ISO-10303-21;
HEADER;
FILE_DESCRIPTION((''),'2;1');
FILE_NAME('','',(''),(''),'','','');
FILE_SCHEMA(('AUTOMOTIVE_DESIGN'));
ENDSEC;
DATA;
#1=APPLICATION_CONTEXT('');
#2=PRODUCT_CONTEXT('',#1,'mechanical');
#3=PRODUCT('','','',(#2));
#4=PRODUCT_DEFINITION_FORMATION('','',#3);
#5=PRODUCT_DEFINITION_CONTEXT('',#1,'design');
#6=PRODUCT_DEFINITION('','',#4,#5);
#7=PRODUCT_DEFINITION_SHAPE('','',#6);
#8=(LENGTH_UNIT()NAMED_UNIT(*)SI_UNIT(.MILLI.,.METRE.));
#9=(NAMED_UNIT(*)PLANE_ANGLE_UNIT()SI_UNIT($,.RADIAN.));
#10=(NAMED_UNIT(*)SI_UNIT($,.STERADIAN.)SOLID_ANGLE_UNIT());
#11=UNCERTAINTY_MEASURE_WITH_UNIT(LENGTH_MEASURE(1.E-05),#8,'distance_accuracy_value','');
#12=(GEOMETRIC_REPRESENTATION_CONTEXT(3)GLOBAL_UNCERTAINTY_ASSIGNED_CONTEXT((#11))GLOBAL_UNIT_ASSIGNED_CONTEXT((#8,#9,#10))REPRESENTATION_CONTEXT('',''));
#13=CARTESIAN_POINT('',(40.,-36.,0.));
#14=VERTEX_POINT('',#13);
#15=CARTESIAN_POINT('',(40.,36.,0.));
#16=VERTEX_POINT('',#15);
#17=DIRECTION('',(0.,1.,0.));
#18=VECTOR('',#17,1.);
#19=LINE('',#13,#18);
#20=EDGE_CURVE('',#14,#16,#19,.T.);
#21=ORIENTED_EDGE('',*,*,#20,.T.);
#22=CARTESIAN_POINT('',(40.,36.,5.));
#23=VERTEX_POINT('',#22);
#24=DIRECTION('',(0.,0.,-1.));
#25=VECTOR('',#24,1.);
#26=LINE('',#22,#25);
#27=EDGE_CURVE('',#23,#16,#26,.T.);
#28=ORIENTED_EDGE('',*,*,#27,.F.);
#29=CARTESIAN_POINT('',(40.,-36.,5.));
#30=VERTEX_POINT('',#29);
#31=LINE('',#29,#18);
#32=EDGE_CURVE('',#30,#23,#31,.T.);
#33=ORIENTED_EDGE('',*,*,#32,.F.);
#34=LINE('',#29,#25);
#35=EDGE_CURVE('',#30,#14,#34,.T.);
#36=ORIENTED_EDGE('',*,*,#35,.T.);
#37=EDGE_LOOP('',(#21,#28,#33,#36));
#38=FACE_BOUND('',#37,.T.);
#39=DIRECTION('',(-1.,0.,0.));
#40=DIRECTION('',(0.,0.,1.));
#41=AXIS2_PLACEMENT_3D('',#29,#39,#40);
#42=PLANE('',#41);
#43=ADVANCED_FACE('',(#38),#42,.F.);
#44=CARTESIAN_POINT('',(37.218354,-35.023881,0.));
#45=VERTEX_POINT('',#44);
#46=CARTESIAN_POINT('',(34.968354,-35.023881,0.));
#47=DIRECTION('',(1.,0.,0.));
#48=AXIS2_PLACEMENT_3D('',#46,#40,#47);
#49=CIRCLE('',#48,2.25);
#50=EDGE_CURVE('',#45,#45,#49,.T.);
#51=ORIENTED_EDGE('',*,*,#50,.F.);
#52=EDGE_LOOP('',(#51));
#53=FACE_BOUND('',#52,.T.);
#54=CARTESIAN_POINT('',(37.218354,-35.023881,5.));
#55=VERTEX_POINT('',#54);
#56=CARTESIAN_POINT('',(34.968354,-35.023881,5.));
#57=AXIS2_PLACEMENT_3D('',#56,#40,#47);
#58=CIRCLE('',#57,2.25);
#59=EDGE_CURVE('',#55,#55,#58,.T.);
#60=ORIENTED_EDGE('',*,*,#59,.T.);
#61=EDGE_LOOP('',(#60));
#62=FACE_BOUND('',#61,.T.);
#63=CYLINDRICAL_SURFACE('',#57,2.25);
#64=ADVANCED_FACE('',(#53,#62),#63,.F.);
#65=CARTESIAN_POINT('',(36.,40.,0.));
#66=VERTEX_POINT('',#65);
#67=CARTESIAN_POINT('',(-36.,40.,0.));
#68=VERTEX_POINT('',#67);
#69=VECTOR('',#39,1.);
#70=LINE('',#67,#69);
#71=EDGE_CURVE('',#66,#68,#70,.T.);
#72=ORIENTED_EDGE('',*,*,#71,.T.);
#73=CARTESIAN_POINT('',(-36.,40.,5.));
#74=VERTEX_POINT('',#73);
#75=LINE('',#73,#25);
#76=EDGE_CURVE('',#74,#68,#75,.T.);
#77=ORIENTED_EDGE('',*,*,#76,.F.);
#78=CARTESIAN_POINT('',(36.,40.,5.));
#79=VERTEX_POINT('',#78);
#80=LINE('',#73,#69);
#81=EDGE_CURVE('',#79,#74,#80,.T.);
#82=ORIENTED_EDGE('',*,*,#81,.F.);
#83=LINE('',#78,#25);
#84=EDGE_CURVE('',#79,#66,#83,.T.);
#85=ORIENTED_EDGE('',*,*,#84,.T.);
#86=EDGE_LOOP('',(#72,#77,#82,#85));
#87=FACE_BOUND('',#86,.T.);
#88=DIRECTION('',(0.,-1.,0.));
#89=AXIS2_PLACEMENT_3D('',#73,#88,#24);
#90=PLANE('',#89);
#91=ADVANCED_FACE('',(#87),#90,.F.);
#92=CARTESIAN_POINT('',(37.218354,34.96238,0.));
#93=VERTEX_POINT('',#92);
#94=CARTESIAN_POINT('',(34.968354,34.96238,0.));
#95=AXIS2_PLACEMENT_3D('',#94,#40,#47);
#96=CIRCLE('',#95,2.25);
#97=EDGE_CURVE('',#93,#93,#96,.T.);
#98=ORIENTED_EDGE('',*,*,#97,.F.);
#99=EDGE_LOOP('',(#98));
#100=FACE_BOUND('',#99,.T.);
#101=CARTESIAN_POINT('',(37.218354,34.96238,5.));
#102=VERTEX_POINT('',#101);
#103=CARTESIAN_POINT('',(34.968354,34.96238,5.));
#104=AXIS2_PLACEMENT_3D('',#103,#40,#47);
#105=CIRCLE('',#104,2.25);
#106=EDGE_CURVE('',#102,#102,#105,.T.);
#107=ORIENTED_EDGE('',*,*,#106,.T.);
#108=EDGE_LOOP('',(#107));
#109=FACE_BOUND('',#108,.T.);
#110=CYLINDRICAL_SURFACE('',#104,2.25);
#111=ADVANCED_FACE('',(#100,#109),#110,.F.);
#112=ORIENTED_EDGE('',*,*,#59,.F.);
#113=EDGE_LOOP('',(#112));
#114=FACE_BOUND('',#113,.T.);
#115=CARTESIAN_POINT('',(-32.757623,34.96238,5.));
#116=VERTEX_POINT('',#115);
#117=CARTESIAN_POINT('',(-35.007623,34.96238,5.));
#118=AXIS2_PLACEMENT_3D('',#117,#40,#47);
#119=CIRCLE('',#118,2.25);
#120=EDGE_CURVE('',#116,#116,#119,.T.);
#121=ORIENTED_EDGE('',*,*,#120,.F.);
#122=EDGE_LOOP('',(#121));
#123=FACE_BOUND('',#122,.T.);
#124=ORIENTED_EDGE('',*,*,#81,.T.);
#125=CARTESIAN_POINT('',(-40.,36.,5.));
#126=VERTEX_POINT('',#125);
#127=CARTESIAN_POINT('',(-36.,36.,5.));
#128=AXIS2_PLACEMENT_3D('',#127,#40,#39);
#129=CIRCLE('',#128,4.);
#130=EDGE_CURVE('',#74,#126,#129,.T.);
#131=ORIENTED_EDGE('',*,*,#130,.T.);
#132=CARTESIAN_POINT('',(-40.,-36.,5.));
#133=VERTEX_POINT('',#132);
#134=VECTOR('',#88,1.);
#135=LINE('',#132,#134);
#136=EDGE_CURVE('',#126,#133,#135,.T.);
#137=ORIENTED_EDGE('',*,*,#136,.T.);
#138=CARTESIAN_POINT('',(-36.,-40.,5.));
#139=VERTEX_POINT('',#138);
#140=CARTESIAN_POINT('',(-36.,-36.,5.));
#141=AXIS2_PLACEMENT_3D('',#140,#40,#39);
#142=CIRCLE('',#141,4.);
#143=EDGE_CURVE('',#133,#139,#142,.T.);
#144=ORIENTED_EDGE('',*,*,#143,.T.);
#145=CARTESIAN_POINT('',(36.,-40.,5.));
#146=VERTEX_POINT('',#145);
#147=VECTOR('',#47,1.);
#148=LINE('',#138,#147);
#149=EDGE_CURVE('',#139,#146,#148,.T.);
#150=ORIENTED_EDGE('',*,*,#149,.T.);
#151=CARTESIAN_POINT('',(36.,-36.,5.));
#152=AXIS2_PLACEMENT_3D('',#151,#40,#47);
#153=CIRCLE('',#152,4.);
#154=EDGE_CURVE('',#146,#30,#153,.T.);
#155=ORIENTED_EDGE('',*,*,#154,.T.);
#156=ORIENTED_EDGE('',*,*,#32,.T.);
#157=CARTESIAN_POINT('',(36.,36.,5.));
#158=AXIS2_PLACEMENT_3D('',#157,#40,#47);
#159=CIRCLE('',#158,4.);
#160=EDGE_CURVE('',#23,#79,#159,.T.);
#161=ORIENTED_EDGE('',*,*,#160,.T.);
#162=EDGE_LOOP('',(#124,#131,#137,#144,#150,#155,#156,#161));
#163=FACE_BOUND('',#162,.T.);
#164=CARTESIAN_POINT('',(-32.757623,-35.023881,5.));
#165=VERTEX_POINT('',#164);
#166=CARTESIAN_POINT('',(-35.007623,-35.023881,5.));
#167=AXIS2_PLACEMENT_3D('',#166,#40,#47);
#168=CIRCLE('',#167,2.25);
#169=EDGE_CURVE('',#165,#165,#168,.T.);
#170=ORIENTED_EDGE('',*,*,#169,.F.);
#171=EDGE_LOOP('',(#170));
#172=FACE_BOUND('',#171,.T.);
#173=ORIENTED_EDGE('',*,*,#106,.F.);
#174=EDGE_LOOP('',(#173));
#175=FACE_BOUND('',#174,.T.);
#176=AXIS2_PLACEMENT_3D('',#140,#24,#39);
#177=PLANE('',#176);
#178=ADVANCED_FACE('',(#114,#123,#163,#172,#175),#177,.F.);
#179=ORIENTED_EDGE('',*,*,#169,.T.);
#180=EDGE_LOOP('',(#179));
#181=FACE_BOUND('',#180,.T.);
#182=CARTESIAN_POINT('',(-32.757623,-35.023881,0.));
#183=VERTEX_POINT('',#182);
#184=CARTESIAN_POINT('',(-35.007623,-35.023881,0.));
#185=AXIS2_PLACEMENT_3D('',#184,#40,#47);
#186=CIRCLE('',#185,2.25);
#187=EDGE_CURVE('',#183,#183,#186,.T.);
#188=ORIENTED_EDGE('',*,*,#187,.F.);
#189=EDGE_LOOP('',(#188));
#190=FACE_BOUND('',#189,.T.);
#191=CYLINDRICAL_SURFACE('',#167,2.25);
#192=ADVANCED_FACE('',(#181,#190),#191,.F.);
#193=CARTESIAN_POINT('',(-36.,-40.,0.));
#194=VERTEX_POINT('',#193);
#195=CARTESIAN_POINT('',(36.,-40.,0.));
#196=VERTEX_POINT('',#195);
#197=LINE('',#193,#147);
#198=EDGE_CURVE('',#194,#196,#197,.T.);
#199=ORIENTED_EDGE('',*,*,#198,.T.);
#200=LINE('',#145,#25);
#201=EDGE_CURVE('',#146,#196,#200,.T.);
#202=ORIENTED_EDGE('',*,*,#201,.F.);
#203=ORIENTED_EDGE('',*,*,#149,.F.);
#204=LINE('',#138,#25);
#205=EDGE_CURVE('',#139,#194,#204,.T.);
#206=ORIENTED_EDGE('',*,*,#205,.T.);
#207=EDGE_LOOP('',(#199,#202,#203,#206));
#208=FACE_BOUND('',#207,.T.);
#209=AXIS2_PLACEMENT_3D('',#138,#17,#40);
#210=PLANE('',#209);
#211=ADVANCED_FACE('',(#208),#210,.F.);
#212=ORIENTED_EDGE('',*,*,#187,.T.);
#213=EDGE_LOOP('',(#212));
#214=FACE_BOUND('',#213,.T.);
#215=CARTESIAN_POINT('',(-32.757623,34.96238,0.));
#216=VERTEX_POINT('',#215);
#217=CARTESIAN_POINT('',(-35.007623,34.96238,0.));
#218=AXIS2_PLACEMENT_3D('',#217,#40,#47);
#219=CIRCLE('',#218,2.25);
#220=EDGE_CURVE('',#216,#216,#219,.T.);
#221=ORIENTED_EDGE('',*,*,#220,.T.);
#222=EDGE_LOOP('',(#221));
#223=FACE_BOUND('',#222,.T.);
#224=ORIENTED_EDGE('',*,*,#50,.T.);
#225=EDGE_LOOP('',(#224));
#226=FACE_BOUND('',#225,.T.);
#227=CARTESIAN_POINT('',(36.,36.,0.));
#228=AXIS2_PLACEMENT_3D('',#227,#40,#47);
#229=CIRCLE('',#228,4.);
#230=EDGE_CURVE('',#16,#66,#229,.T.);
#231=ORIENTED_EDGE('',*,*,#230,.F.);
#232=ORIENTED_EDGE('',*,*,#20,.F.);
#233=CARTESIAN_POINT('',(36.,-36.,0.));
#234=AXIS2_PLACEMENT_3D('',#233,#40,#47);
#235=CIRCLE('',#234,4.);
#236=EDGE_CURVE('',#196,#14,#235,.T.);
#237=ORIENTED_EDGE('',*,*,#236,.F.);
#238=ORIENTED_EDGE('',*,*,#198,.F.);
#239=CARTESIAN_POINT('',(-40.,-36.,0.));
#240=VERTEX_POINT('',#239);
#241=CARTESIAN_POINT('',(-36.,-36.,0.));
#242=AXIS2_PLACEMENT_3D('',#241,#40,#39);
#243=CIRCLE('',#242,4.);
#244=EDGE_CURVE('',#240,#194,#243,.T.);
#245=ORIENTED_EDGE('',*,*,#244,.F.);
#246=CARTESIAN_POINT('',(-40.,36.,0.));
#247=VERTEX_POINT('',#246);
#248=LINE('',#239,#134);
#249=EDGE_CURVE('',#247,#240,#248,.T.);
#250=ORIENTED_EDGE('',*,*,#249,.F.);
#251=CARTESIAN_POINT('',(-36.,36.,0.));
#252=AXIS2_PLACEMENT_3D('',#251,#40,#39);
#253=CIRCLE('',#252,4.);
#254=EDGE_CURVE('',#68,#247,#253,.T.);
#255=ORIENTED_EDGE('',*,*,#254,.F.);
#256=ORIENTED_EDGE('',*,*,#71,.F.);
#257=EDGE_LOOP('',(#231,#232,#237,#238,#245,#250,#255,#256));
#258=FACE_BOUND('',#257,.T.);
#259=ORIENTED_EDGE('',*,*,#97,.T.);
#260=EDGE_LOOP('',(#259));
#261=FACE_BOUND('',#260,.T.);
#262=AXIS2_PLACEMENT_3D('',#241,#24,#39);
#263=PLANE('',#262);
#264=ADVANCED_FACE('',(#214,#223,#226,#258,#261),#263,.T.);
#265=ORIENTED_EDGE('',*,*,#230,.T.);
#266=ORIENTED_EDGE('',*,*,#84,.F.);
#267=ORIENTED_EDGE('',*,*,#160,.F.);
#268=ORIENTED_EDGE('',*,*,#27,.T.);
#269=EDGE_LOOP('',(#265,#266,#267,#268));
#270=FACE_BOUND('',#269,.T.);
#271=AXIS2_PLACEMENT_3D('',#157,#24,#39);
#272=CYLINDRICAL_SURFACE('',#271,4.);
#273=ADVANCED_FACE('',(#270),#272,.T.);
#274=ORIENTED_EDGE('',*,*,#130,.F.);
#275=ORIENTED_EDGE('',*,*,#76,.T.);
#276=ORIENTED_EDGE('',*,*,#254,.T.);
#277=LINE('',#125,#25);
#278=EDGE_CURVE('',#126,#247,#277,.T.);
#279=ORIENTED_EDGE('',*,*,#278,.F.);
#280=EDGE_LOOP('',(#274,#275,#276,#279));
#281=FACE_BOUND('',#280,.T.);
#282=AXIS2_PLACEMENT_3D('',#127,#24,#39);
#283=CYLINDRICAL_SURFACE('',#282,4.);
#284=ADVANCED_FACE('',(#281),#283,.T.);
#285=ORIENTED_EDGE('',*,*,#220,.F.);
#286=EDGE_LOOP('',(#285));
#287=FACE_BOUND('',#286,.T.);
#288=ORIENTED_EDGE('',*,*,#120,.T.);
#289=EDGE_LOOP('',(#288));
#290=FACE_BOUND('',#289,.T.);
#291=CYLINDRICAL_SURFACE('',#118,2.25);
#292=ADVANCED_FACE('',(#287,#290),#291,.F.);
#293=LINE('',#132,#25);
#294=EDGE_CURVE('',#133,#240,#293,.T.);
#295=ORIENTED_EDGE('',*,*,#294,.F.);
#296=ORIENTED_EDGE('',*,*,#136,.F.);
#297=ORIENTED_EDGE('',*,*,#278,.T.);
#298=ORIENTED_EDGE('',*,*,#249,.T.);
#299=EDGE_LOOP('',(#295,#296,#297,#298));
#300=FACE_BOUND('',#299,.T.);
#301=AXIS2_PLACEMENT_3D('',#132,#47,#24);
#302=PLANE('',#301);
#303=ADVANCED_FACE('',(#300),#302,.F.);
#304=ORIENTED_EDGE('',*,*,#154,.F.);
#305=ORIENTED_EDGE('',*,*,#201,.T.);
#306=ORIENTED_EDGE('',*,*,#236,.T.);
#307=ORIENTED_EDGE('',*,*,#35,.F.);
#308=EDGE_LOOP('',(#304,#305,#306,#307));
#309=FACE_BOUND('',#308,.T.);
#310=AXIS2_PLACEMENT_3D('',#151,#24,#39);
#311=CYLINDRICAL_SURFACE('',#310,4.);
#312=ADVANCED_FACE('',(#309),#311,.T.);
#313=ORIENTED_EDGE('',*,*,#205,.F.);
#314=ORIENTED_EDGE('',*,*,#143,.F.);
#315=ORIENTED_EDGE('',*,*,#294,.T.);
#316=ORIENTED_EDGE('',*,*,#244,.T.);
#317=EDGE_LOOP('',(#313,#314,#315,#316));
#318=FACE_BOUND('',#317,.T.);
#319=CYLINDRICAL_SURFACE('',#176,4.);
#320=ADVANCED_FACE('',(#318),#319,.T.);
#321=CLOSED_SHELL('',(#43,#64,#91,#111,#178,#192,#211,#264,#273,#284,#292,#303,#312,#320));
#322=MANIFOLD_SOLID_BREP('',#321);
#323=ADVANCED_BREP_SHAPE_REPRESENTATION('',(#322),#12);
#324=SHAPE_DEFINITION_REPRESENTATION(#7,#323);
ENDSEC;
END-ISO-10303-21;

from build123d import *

# Parameters (mm, degrees)
BOSS_EXTRU_1_DEPTH = 5
D_GAGEMENT_M41_D   = 4.5


with BuildPart() as part:
    # Esquisse1 → Boss.-Extru.1 (new body)
    with BuildSketch(Plane.XY):
        with BuildLine():
            Line((-36, -40), (36, -40))
            ThreePointArc((36, -40), (38.828427125, -38.828427125), (40, -36))
            Line((40, -36), (40, 36))
            ThreePointArc((40, 36), (38.828427125, 38.828427125), (36, 40))
            Line((36, 40), (-36, 40))
            ThreePointArc((-36, 40), (-38.828427125, 38.828427125), (-40, 36))
            Line((-40, 36), (-40, -36))
            ThreePointArc((-40, -36), (-38.828427125, -38.828427125), (-36, -40))
        make_face()
    extrude(amount=BOSS_EXTRU_1_DEPTH)

    # Dégagement M41 (through all)
    with Locations(Plane.XY.offset(5)):
        with Locations((-35.007622699, 34.962380164), (34.968353645, 34.962380164), (34.968353645, -35.023881333), (-35.007622699, -35.023881333)):
            Hole(D_GAGEMENT_M41_D / 2)


solid = part.part
